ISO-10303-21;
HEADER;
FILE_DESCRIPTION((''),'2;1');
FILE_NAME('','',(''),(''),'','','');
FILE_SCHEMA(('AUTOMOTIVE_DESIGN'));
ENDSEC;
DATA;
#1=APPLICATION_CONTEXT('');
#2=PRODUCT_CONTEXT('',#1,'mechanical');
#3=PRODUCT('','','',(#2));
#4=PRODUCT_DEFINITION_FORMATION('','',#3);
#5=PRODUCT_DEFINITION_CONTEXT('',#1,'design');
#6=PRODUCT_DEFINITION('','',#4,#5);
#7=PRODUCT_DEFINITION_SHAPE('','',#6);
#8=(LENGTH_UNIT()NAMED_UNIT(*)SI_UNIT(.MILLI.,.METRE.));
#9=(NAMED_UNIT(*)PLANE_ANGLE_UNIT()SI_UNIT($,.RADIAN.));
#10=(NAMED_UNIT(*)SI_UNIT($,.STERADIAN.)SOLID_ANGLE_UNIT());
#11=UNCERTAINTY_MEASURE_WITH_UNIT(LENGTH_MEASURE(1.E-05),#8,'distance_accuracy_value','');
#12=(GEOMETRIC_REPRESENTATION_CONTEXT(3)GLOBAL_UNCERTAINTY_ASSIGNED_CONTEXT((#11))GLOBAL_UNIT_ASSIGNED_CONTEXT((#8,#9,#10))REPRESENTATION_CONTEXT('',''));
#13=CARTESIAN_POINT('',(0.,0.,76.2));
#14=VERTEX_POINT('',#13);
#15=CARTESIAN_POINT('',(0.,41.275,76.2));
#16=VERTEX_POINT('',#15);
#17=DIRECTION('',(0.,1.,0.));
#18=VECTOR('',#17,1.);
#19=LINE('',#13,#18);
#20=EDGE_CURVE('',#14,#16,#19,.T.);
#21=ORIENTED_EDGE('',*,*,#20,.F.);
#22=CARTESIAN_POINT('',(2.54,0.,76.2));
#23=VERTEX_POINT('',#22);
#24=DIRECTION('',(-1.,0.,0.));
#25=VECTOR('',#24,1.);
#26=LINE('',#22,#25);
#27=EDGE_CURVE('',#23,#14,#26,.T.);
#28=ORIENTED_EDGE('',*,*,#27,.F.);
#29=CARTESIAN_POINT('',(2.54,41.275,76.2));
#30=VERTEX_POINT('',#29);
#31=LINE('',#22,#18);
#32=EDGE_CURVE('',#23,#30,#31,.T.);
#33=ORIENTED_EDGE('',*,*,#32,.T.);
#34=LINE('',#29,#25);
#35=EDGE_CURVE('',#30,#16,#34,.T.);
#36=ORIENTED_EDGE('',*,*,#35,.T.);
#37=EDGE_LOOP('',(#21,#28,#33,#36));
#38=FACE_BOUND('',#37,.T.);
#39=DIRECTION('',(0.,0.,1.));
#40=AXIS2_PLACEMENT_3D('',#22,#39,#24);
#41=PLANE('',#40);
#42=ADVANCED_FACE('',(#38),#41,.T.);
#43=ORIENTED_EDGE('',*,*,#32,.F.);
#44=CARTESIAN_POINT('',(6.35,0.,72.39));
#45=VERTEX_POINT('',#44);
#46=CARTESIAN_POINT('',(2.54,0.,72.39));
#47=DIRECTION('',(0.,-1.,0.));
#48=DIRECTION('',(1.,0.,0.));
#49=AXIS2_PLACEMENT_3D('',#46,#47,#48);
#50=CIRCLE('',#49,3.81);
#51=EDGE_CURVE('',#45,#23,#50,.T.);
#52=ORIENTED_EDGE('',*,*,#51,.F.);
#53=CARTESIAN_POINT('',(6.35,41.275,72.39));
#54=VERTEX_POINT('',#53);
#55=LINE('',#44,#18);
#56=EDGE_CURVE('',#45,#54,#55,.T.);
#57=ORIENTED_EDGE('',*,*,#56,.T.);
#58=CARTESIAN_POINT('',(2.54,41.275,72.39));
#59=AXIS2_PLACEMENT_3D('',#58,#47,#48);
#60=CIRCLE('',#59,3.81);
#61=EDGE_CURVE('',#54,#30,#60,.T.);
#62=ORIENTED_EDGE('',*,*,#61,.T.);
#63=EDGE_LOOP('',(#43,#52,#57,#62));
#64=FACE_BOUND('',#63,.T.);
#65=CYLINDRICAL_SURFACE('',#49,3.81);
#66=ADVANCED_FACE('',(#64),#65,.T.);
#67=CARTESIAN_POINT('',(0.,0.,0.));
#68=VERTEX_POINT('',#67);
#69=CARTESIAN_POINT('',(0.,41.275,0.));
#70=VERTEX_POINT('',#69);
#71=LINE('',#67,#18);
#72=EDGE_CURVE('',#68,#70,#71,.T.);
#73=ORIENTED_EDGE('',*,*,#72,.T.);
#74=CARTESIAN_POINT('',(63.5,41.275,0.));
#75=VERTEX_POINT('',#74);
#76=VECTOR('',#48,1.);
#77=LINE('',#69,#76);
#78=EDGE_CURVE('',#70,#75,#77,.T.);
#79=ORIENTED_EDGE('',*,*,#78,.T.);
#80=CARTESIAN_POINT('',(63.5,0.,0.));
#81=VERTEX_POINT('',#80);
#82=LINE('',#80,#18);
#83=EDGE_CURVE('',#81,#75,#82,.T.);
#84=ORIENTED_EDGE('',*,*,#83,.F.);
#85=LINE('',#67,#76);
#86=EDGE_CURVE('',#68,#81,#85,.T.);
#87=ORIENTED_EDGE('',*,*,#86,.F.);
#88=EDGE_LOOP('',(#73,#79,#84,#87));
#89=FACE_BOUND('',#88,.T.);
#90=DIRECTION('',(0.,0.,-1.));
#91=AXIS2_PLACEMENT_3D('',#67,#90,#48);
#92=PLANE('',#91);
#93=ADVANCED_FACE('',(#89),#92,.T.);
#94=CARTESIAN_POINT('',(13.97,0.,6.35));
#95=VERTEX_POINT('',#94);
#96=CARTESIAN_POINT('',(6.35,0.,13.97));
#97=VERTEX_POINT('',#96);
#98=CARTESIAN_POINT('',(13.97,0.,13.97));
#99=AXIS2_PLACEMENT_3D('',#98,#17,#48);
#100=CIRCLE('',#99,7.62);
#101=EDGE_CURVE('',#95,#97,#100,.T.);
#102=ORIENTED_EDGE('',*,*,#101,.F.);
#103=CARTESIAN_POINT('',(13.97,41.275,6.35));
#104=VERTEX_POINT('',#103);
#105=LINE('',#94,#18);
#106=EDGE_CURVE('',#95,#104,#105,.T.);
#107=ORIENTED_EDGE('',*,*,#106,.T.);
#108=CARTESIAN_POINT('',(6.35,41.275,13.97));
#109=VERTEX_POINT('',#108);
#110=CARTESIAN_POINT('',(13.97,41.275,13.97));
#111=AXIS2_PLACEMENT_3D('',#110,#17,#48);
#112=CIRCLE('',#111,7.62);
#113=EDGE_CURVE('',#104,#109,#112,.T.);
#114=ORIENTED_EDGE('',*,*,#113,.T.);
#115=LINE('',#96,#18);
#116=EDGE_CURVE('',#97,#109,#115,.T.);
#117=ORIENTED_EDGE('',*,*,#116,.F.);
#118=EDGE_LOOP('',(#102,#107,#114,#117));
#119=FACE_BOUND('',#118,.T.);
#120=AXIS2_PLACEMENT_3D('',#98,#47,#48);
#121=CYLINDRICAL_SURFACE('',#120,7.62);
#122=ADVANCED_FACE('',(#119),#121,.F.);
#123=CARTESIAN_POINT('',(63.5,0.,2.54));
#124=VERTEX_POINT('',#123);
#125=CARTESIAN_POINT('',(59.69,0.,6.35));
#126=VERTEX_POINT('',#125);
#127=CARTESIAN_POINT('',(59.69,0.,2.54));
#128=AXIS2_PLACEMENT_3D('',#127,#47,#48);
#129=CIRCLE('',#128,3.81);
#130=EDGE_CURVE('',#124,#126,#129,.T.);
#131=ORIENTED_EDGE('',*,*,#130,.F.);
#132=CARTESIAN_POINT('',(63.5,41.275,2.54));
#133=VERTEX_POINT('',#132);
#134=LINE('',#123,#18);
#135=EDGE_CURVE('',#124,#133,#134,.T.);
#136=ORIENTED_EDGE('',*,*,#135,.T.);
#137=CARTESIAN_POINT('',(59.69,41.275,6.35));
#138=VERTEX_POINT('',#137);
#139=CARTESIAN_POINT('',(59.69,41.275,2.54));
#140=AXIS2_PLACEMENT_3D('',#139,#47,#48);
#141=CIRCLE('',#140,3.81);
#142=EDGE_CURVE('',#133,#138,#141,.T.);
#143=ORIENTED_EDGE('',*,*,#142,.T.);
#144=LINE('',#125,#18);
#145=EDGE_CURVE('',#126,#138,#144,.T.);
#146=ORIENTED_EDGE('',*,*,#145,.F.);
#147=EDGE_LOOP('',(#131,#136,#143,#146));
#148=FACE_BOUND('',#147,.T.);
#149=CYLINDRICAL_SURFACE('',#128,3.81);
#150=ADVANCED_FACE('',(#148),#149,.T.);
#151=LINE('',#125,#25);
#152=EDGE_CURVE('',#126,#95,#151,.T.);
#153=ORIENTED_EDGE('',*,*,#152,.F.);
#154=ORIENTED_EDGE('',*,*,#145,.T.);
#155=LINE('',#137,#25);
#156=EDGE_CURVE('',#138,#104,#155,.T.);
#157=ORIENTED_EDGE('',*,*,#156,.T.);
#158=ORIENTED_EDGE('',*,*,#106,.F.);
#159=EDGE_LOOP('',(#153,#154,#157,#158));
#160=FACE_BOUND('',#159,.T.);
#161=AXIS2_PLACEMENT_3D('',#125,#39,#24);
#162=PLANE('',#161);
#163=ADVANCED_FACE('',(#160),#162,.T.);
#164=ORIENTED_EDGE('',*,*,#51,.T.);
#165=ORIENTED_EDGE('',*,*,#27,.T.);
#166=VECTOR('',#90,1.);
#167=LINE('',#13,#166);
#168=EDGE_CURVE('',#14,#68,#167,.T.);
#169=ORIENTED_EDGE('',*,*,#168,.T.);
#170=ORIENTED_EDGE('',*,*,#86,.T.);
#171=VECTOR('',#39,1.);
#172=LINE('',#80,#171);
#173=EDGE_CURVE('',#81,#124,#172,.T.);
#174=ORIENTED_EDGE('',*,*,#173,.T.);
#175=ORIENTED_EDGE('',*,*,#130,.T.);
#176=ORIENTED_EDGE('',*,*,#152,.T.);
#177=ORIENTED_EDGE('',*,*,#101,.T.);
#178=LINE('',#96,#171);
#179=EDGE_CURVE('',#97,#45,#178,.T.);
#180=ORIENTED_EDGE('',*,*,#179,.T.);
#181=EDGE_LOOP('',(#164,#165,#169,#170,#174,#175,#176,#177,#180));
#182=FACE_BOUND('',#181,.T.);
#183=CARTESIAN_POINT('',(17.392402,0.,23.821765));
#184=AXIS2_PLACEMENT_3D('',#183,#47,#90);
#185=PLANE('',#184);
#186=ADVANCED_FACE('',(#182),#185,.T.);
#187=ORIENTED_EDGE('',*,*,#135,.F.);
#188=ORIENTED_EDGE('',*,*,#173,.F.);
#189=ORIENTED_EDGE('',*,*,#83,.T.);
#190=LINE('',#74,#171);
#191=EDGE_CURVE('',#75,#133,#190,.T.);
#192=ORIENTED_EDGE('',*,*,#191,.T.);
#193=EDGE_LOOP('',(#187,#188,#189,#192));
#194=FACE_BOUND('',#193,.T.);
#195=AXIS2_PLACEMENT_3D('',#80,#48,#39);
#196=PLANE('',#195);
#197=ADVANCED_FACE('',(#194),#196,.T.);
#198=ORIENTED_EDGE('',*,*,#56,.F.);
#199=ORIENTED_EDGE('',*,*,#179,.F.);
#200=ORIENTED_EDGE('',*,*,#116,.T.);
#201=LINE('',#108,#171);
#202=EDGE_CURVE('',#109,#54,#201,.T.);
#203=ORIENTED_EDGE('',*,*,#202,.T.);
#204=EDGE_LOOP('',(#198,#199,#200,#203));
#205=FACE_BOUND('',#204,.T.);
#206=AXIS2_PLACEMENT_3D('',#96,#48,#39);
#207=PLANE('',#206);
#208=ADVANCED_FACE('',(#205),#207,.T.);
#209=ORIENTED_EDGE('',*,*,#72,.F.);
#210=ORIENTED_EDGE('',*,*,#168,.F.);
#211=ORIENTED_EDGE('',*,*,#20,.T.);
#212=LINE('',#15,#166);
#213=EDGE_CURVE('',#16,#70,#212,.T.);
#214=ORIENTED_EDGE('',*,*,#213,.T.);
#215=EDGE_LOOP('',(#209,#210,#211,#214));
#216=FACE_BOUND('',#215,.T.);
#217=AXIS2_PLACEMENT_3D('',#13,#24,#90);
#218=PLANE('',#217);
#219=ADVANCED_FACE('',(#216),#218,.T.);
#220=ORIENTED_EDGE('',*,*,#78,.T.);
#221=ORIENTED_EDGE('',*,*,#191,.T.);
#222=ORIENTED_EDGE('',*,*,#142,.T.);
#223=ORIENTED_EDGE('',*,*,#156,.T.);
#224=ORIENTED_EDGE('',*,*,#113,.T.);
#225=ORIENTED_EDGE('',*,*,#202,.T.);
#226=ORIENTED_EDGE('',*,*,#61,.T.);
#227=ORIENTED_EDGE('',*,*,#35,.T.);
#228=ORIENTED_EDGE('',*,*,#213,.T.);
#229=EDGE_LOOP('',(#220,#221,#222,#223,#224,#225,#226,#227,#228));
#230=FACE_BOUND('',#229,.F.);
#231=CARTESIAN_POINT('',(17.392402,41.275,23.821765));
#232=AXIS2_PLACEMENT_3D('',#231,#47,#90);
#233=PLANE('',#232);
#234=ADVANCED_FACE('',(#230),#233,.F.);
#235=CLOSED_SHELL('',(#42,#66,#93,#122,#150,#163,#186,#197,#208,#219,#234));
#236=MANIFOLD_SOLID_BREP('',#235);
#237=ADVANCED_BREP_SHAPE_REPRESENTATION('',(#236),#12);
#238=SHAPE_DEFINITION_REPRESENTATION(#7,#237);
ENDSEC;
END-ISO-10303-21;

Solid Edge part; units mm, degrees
sketch "Sketch1" plane through (0, 0, 0) normal (0, -1, 0) x (1, 0, 0)
  line L0 (0, 76.2) -> (0, 0)
  line L1 (0, 0) -> (63.5, 0)
  line L2 (63.5, 0) -> (63.5, 2.54)
  arc A0 (63.5, 2.54) -> (59.69, 6.35) centre (59.69, 2.54) ccw
  line L3 (59.69, 6.35) -> (13.97, 6.35)
  arc A1 (13.97, 6.35) -> (6.35, 13.97) centre (13.97, 13.97) cw
  line L4 (6.35, 13.97) -> (6.35, 72.39)
  arc A2 (6.35, 72.39) -> (2.54, 76.2) centre (2.54, 72.39) ccw
  line L5 (2.54, 76.2) -> (0, 76.2)
  dimension "D1" = 76.2
  dimension "D2" = 63.5
extrude "Protrusion1" add sketch "Sketch1" against normal blind 41.275
